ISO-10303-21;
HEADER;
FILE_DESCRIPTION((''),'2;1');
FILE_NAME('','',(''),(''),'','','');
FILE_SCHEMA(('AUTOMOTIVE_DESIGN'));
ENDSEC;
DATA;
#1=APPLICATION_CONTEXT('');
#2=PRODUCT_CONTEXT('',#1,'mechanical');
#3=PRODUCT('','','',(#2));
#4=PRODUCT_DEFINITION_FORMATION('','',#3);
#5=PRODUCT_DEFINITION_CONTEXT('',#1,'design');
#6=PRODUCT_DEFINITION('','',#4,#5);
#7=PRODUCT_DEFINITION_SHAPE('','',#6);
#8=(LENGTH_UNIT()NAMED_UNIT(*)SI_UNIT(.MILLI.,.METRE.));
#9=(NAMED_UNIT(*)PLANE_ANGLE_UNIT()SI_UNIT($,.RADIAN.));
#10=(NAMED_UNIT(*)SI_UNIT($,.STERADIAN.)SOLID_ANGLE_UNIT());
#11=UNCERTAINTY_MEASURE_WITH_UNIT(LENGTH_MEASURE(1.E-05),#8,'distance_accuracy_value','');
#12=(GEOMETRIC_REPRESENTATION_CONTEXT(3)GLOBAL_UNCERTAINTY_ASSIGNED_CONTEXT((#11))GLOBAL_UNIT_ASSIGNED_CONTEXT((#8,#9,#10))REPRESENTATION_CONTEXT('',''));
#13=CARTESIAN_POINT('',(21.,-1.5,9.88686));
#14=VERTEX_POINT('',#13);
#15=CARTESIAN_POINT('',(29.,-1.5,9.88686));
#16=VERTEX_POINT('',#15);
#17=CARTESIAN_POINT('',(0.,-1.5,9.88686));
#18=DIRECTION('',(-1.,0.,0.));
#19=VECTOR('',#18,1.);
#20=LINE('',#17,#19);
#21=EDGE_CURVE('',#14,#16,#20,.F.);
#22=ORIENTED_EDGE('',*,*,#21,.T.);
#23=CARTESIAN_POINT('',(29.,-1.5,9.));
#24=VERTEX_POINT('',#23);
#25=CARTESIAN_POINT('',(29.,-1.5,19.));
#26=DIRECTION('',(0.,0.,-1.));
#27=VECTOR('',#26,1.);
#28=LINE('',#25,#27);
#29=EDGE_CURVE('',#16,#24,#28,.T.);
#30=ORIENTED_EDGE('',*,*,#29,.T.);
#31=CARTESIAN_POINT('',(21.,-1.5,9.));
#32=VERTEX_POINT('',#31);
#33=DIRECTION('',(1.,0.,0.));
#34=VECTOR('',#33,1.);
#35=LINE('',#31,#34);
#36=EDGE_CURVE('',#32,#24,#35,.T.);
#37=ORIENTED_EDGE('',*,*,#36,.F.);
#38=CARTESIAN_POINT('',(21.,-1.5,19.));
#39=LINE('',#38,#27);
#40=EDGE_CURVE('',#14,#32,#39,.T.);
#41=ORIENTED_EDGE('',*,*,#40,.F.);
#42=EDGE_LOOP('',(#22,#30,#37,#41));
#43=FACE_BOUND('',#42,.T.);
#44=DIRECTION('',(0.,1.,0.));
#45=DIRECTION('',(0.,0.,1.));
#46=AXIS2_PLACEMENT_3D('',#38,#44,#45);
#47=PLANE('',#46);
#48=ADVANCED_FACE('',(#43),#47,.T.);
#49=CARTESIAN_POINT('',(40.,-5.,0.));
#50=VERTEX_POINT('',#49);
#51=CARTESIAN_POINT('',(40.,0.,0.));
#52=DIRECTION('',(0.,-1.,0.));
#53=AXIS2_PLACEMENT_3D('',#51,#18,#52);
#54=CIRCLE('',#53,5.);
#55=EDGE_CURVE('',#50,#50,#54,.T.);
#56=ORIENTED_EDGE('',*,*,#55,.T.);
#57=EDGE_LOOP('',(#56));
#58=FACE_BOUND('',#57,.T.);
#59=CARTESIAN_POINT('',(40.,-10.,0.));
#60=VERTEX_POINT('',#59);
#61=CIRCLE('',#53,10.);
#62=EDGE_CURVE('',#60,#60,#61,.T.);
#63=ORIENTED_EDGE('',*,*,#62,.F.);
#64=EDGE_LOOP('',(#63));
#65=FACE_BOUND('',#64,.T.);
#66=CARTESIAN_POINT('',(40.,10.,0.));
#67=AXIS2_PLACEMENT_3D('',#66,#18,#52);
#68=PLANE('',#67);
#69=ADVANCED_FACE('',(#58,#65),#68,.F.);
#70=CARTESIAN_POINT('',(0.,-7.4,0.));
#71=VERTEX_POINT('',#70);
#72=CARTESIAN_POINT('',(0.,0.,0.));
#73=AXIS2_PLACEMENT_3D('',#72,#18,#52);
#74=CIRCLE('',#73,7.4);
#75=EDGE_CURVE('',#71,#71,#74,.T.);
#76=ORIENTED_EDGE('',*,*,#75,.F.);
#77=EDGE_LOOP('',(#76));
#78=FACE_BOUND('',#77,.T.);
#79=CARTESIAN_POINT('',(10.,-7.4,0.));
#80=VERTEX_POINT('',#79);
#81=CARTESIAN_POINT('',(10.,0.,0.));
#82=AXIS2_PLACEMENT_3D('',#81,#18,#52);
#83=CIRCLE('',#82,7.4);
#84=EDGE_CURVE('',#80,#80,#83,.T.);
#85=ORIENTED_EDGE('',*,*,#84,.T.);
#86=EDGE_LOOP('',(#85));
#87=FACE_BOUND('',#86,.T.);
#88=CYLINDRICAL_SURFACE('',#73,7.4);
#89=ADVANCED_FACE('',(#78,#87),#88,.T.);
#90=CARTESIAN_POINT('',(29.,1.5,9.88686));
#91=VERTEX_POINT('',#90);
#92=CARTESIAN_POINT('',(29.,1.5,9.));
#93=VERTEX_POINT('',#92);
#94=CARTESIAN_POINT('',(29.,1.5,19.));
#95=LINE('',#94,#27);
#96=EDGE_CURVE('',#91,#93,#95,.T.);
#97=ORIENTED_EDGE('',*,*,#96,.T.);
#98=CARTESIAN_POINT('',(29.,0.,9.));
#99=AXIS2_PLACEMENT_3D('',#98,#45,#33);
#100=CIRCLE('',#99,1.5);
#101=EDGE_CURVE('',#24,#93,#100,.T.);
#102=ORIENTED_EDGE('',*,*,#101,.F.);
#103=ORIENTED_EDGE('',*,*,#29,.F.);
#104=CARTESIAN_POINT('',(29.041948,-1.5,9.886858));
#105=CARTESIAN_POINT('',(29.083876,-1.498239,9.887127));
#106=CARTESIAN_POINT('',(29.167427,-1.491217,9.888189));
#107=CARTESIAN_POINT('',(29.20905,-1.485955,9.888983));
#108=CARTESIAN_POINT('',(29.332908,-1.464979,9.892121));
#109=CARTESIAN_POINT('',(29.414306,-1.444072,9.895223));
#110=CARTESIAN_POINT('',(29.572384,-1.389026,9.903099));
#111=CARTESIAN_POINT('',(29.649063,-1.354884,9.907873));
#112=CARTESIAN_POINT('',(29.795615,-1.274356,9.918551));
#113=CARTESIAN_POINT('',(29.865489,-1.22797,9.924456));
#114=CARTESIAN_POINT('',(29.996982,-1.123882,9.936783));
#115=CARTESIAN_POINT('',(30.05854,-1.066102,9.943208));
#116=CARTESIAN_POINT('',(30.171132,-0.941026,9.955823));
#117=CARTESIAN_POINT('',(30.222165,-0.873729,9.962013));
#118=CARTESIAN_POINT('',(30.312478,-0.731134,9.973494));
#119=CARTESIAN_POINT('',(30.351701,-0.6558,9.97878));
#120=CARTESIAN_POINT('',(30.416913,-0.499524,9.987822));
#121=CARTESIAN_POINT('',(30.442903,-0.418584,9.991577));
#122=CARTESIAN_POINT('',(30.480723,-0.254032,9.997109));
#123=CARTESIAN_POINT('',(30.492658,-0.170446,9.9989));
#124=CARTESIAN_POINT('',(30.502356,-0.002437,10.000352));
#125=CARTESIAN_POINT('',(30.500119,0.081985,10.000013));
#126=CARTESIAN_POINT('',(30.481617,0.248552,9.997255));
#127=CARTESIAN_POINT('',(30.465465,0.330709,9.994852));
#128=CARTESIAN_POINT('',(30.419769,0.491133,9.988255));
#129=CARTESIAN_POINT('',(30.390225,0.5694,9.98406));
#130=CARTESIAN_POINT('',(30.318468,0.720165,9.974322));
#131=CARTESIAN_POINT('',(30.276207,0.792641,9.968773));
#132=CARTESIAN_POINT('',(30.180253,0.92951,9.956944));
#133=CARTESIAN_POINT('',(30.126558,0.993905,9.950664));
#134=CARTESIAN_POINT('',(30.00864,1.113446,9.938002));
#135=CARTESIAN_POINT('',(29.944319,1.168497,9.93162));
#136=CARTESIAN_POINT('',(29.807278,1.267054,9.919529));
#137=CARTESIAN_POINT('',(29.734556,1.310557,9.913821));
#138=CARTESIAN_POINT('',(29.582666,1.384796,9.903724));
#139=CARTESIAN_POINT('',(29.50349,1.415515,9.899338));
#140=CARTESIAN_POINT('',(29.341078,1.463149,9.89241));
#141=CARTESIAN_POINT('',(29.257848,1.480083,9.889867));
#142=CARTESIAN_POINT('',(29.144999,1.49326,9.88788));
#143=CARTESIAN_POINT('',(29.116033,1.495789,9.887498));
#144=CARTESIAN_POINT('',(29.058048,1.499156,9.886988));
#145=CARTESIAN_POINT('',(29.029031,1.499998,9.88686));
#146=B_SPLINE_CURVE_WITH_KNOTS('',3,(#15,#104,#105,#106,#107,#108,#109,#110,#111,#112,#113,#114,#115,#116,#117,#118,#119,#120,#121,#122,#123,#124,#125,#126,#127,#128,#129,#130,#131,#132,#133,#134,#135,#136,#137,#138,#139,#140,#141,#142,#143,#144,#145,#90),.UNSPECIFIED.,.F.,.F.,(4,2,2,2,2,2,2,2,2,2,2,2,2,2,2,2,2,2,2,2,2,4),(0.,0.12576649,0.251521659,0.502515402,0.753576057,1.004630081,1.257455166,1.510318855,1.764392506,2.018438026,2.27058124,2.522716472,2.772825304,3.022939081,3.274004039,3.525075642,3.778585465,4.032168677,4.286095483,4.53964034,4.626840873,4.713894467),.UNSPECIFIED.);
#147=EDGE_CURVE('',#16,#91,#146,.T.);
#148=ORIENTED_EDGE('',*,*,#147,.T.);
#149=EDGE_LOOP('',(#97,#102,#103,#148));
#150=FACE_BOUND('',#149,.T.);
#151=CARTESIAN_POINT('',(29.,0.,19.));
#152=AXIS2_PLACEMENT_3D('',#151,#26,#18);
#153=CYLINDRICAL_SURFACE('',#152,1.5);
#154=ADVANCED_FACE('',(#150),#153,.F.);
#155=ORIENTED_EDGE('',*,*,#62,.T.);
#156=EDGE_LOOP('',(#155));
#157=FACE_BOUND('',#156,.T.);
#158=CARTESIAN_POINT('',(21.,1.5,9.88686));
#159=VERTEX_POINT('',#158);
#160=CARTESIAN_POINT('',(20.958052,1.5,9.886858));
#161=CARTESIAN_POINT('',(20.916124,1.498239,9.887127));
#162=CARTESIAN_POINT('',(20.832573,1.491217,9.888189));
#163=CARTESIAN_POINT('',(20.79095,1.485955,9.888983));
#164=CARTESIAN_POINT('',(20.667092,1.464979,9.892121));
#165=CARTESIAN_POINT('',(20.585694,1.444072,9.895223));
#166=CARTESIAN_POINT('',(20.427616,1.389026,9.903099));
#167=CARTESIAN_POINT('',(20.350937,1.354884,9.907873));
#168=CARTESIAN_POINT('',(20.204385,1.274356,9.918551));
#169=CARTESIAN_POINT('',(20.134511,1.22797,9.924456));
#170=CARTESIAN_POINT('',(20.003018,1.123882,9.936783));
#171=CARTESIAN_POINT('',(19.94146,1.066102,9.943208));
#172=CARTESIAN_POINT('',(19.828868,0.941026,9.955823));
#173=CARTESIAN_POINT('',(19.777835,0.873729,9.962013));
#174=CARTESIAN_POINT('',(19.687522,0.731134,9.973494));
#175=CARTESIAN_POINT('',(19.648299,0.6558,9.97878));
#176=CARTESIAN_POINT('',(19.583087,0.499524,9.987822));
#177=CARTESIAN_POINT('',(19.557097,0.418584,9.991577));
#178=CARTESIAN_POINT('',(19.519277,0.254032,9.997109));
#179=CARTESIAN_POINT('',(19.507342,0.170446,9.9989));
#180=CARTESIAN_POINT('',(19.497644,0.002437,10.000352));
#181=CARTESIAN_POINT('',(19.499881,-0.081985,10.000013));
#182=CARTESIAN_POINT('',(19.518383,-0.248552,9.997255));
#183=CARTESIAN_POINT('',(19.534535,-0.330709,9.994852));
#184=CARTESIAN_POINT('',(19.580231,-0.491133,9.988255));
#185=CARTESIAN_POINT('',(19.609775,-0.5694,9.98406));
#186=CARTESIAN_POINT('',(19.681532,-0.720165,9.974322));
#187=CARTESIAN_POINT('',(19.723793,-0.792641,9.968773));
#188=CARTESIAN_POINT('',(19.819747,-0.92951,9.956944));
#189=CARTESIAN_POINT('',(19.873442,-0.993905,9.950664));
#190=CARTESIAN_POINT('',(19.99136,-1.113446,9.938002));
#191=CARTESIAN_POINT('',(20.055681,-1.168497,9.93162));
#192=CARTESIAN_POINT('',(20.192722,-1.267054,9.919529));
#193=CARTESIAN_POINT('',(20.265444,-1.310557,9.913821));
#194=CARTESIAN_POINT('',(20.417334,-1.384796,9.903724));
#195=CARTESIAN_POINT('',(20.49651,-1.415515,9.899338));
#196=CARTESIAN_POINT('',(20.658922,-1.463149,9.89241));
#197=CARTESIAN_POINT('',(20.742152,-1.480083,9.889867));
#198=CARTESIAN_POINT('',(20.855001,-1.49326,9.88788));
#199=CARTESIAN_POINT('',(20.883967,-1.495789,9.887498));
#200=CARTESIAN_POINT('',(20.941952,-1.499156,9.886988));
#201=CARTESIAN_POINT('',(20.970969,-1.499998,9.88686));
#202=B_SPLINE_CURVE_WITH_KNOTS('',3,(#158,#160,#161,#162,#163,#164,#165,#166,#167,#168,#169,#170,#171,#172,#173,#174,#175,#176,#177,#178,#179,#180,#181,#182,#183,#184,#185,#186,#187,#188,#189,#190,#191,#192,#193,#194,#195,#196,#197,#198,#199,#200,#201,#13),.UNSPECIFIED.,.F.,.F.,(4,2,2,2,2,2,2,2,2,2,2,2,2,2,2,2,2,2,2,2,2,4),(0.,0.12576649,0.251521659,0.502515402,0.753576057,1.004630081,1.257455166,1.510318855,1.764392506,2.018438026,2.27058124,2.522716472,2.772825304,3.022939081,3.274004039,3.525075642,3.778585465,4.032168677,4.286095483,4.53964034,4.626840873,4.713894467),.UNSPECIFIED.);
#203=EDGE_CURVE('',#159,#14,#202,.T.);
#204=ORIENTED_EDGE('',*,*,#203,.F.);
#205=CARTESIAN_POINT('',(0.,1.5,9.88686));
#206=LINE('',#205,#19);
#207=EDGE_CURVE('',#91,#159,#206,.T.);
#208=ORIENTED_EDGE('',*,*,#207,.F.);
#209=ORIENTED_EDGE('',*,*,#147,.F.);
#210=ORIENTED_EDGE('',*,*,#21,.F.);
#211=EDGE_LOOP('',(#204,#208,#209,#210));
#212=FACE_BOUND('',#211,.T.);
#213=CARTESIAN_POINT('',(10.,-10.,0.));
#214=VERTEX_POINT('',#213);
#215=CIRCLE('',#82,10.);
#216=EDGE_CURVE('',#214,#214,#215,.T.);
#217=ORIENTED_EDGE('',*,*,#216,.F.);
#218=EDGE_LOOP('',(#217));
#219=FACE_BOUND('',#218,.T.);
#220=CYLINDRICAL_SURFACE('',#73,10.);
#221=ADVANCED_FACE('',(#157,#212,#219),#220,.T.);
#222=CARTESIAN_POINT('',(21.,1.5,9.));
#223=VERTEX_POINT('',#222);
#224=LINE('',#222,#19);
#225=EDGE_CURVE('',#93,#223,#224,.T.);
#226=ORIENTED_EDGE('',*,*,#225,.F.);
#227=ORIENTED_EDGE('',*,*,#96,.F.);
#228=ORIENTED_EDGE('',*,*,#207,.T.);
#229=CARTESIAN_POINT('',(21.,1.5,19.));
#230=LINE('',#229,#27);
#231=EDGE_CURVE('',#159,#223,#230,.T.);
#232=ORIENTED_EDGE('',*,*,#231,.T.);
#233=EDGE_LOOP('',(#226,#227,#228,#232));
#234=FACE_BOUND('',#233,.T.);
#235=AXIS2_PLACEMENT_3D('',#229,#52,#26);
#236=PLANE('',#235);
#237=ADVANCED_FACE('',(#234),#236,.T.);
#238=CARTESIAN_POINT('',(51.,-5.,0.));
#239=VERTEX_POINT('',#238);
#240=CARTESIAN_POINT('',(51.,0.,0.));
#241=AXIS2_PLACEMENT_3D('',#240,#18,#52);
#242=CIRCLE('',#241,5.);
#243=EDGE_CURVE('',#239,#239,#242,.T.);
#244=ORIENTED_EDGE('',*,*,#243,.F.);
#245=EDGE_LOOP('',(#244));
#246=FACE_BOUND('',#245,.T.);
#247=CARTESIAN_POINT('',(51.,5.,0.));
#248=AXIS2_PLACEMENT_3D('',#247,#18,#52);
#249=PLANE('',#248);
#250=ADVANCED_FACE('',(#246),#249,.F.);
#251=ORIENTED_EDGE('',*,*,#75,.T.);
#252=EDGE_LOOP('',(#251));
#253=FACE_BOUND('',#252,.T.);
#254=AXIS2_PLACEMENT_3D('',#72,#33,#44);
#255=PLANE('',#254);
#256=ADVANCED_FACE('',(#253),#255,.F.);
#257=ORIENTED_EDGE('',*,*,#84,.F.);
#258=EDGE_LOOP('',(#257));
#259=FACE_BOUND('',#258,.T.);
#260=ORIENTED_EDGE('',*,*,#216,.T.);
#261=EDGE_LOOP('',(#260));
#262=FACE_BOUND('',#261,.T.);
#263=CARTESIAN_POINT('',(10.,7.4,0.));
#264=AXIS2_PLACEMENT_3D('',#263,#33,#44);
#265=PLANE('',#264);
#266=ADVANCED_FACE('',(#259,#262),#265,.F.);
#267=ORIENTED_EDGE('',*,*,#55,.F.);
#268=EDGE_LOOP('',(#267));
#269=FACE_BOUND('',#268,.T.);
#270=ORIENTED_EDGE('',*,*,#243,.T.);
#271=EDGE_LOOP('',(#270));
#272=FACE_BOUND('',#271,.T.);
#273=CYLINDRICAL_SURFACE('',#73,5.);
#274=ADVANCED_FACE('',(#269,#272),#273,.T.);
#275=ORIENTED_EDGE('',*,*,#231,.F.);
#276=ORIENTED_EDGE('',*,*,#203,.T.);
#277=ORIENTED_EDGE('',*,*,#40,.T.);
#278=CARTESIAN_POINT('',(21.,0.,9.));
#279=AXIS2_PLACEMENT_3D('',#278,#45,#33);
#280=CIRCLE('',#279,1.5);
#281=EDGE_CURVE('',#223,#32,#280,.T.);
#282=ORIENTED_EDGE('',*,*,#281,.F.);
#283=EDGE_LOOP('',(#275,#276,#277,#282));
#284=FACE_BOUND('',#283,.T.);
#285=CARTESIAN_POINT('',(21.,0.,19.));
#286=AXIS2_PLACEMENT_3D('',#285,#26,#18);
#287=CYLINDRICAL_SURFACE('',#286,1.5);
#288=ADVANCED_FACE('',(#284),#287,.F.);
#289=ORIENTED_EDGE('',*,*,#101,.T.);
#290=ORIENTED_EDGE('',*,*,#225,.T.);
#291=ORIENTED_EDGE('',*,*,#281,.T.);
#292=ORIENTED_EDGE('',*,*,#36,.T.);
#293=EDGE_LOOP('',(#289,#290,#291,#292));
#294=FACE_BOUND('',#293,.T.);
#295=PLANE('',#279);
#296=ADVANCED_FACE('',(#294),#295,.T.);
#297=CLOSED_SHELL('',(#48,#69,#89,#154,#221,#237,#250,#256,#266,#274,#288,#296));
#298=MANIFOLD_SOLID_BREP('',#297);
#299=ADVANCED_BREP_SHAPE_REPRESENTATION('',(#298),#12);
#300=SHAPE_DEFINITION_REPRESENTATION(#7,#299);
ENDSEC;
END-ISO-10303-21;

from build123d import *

# Parameters (mm, degrees)
CUT_EXTRUDE1_START = 9
CUT_EXTRUDE1_DEPTH = 10


with BuildPart() as part:
    # Sketch1 → Revolve1 (revolve)
    with BuildSketch(Plane.XY, mode=Mode.PRIVATE) as revolve1_sk:
        Polygon((0, 0), (0, 7.4), (10, 7.4), (10, 10), (40, 10), (40, 5), (51, 5), (51, 0), align=None)
    revolve(revolve1_sk.sketch.rotate(Axis((0, 0, 0), (1, 0, 0)), 180), axis=Axis((0, 0, 0), (1, 0, 0)))

    # Sketch2 → Cut-Extrude1 (cut)
    with BuildSketch(Plane.XY.offset(CUT_EXTRUDE1_START)):
        with BuildLine():
            Line((21, 1.5), (29, 1.5))
            ThreePointArc((29, 1.5), (30.5, 0), (29, -1.5))
            Line((29, -1.5), (21, -1.5))
            ThreePointArc((21, -1.5), (19.5, 0), (21, 1.5))
        make_face()
    extrude(amount=CUT_EXTRUDE1_DEPTH, mode=Mode.SUBTRACT)


solid = part.part
